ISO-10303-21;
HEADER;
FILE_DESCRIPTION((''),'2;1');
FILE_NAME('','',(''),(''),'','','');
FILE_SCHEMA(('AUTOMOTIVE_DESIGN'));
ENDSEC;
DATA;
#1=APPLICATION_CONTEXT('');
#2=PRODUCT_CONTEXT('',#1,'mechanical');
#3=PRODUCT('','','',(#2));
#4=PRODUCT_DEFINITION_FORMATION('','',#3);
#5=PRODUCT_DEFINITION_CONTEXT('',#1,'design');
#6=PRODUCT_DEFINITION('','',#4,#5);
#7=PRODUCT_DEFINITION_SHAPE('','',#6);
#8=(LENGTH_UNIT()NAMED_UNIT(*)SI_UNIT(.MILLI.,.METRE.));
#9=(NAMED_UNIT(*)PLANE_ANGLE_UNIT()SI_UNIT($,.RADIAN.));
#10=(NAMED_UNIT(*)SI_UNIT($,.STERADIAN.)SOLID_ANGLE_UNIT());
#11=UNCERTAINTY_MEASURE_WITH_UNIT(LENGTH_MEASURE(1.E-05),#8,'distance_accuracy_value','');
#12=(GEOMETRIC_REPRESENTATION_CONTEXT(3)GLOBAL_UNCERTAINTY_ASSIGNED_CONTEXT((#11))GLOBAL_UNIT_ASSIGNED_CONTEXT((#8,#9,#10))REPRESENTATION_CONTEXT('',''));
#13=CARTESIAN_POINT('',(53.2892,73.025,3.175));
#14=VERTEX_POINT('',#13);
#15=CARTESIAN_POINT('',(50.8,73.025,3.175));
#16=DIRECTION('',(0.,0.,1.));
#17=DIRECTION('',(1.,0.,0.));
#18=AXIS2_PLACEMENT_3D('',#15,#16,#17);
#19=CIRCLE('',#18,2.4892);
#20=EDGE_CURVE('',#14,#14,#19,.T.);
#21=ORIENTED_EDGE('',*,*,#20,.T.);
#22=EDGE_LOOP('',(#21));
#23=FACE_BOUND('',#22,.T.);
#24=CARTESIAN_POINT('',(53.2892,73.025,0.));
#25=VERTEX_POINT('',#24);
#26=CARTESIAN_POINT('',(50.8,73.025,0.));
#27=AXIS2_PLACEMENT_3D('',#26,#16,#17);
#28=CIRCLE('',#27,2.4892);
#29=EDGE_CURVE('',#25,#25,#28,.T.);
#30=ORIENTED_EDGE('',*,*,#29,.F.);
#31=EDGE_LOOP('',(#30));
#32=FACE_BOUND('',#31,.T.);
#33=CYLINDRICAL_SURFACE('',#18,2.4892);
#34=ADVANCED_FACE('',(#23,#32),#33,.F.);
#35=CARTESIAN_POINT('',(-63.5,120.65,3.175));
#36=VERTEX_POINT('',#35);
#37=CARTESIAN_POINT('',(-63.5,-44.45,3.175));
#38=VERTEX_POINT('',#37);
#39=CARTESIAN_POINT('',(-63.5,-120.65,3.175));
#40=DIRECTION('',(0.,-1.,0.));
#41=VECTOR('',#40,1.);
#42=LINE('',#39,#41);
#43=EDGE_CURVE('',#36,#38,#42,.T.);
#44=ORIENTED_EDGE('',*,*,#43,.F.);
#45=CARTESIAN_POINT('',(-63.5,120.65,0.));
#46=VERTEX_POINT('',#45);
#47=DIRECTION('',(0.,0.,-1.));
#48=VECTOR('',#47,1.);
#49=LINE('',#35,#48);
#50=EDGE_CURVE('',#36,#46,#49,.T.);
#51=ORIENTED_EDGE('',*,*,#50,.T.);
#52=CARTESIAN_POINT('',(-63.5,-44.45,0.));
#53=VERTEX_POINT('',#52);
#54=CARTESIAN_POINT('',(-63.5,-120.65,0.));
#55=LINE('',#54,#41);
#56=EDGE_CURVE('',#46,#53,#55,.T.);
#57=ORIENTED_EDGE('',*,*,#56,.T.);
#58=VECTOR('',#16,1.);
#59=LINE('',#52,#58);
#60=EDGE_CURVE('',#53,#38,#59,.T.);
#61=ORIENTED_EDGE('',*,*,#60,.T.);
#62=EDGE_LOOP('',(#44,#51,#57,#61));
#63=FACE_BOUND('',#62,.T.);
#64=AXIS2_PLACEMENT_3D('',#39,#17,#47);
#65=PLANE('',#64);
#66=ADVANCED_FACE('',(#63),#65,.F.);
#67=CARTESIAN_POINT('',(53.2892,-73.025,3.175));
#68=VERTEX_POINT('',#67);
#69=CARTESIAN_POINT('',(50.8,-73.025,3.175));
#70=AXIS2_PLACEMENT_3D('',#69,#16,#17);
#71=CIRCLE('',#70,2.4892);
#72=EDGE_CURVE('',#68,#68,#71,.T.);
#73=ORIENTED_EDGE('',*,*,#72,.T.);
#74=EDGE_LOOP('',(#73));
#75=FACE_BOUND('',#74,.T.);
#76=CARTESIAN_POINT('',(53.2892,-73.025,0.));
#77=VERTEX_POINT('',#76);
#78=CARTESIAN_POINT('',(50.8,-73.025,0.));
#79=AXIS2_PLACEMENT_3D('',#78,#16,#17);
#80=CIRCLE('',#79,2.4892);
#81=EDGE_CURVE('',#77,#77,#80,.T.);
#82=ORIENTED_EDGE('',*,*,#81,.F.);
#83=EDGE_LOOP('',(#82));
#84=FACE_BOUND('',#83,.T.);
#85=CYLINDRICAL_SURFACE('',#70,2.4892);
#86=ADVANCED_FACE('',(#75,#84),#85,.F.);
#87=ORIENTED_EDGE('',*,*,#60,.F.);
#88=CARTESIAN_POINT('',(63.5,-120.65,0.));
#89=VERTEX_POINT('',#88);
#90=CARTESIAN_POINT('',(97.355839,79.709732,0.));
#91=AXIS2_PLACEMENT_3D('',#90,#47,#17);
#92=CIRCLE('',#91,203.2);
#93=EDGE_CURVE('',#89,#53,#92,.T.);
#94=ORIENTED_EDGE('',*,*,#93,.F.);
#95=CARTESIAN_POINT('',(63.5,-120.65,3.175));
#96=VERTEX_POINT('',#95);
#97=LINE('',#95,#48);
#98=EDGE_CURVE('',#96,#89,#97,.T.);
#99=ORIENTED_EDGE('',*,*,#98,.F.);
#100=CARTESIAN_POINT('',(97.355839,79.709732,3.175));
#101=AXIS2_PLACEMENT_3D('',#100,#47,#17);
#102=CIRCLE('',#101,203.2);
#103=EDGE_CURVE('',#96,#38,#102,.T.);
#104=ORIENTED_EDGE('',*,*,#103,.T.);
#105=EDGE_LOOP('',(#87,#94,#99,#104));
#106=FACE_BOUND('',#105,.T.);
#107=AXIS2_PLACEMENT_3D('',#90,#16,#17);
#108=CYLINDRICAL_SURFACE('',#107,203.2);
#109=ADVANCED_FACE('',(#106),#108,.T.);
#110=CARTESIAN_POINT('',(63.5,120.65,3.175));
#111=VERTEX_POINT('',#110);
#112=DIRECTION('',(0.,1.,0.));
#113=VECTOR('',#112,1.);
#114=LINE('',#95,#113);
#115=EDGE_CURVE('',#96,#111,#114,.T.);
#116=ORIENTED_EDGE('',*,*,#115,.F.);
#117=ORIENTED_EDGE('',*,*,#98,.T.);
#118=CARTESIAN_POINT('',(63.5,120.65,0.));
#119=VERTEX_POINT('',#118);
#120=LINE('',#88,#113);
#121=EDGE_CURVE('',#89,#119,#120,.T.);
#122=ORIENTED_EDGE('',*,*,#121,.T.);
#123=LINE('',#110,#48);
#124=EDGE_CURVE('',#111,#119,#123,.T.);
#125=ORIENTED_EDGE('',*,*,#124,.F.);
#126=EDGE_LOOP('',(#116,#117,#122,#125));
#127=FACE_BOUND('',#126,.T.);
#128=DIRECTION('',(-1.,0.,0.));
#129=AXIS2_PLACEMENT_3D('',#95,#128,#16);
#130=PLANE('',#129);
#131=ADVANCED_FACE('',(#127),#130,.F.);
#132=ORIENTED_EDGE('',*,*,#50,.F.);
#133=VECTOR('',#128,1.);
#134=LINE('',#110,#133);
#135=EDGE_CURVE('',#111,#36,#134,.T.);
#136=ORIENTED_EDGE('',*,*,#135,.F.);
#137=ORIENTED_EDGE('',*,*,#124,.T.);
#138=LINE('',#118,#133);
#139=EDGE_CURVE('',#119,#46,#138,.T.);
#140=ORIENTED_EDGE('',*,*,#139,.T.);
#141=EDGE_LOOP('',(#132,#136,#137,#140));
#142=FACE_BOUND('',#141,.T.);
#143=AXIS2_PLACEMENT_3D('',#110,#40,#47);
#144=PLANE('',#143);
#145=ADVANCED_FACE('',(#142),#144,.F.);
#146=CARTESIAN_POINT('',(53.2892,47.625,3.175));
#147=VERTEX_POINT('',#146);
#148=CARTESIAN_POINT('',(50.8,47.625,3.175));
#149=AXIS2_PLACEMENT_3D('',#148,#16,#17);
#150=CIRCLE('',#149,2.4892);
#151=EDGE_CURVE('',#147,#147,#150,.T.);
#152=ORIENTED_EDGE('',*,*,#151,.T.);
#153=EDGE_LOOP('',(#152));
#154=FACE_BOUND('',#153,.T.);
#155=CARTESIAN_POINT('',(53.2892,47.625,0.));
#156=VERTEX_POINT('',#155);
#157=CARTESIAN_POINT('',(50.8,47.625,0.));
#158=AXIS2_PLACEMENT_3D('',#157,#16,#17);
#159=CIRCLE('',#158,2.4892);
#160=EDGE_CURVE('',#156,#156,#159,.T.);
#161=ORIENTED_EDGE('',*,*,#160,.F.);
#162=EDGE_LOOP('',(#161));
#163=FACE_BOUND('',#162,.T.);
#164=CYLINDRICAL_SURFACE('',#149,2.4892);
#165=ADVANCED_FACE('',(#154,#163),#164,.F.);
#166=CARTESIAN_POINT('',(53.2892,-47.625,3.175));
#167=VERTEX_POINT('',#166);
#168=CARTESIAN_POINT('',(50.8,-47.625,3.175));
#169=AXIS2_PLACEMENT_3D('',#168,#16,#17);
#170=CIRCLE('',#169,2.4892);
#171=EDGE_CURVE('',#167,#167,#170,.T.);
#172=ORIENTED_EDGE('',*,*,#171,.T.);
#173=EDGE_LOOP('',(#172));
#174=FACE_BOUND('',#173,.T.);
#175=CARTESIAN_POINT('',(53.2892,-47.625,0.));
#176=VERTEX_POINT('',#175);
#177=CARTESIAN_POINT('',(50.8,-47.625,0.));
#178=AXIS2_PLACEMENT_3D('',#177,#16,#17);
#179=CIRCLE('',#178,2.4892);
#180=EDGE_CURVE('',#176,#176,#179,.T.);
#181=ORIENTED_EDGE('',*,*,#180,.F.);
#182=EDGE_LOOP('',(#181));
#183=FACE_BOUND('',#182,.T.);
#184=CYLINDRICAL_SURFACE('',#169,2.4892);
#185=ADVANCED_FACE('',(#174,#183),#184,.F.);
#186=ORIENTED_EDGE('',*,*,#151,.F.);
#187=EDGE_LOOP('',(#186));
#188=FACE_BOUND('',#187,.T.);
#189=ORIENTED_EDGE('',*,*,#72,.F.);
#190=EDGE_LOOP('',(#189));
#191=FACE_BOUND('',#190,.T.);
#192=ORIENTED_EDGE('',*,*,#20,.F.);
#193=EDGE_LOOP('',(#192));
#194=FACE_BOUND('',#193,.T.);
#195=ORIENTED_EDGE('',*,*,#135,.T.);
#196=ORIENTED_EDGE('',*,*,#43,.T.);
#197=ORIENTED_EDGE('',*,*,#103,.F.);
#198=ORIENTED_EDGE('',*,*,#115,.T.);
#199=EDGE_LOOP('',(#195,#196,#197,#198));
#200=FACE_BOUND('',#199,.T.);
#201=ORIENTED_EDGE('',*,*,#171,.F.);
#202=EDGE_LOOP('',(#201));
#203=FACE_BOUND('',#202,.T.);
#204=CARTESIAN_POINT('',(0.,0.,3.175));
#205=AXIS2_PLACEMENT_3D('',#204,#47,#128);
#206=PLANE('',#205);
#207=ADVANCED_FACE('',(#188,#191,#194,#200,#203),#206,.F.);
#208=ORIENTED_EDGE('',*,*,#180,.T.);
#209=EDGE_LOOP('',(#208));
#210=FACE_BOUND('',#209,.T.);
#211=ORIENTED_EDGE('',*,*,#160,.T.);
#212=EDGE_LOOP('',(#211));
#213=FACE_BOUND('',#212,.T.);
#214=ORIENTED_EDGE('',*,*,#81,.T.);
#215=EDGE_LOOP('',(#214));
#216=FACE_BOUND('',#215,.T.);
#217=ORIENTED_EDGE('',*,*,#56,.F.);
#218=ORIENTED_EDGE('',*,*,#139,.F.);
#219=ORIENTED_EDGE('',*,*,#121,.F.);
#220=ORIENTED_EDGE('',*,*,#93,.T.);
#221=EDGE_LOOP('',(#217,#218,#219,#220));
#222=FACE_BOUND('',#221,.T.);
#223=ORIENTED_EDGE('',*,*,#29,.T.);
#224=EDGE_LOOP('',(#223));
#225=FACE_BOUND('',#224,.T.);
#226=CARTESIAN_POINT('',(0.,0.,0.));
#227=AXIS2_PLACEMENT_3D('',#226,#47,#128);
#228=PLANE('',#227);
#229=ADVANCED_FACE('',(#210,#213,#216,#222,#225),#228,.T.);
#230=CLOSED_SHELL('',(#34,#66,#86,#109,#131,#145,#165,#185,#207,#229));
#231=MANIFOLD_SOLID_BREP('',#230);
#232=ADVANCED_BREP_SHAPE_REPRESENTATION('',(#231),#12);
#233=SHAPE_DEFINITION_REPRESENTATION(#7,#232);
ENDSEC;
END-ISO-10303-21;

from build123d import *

# Parameters (mm, degrees)
SKETCH1_W                  = 241.3
SKETCH1_H                  = 127
BOSS_EXTRUDE1_DEPTH        = 3.175
F_9_0_196_DIAMETER_HOLE1_D = 4.9784
CUT_EXTRUDE1_DEPTH         = 137.377245628


with BuildPart() as part:
    # Sketch1 → Boss-Extrude1 (new body)
    with BuildSketch(Plane(origin=(0, 0, 0), x_dir=(0, 1, 0), z_dir=(0, 0, 1))):
        Rectangle(SKETCH1_W, SKETCH1_H)
    extrude(amount=BOSS_EXTRUDE1_DEPTH)

    # #9 (0.196) Diameter Hole1 (through all)
    with Locations(Plane.XY.offset(3.175)):
        with Locations((50.8, 73.025), (50.8, -73.025), (50.8, -47.625), (50.8, 47.625)):
            Hole(F_9_0_196_DIAMETER_HOLE1_D / 2)

    # Sketch4 → Cut-Extrude1 (cut, through all)
    with BuildSketch(Plane.XY.offset(3.175)):
        with BuildLine():
            Line((-63.5, -44.45), (-63.5, -120.65))
            Line((-63.5, -120.65), (63.5, -120.65))
            ThreePointArc((63.5, -120.65), (-7.189698378, -94.53283063), (-63.5, -44.45))
        make_face()
    extrude(amount=-CUT_EXTRUDE1_DEPTH, mode=Mode.SUBTRACT)


solid = part.part
